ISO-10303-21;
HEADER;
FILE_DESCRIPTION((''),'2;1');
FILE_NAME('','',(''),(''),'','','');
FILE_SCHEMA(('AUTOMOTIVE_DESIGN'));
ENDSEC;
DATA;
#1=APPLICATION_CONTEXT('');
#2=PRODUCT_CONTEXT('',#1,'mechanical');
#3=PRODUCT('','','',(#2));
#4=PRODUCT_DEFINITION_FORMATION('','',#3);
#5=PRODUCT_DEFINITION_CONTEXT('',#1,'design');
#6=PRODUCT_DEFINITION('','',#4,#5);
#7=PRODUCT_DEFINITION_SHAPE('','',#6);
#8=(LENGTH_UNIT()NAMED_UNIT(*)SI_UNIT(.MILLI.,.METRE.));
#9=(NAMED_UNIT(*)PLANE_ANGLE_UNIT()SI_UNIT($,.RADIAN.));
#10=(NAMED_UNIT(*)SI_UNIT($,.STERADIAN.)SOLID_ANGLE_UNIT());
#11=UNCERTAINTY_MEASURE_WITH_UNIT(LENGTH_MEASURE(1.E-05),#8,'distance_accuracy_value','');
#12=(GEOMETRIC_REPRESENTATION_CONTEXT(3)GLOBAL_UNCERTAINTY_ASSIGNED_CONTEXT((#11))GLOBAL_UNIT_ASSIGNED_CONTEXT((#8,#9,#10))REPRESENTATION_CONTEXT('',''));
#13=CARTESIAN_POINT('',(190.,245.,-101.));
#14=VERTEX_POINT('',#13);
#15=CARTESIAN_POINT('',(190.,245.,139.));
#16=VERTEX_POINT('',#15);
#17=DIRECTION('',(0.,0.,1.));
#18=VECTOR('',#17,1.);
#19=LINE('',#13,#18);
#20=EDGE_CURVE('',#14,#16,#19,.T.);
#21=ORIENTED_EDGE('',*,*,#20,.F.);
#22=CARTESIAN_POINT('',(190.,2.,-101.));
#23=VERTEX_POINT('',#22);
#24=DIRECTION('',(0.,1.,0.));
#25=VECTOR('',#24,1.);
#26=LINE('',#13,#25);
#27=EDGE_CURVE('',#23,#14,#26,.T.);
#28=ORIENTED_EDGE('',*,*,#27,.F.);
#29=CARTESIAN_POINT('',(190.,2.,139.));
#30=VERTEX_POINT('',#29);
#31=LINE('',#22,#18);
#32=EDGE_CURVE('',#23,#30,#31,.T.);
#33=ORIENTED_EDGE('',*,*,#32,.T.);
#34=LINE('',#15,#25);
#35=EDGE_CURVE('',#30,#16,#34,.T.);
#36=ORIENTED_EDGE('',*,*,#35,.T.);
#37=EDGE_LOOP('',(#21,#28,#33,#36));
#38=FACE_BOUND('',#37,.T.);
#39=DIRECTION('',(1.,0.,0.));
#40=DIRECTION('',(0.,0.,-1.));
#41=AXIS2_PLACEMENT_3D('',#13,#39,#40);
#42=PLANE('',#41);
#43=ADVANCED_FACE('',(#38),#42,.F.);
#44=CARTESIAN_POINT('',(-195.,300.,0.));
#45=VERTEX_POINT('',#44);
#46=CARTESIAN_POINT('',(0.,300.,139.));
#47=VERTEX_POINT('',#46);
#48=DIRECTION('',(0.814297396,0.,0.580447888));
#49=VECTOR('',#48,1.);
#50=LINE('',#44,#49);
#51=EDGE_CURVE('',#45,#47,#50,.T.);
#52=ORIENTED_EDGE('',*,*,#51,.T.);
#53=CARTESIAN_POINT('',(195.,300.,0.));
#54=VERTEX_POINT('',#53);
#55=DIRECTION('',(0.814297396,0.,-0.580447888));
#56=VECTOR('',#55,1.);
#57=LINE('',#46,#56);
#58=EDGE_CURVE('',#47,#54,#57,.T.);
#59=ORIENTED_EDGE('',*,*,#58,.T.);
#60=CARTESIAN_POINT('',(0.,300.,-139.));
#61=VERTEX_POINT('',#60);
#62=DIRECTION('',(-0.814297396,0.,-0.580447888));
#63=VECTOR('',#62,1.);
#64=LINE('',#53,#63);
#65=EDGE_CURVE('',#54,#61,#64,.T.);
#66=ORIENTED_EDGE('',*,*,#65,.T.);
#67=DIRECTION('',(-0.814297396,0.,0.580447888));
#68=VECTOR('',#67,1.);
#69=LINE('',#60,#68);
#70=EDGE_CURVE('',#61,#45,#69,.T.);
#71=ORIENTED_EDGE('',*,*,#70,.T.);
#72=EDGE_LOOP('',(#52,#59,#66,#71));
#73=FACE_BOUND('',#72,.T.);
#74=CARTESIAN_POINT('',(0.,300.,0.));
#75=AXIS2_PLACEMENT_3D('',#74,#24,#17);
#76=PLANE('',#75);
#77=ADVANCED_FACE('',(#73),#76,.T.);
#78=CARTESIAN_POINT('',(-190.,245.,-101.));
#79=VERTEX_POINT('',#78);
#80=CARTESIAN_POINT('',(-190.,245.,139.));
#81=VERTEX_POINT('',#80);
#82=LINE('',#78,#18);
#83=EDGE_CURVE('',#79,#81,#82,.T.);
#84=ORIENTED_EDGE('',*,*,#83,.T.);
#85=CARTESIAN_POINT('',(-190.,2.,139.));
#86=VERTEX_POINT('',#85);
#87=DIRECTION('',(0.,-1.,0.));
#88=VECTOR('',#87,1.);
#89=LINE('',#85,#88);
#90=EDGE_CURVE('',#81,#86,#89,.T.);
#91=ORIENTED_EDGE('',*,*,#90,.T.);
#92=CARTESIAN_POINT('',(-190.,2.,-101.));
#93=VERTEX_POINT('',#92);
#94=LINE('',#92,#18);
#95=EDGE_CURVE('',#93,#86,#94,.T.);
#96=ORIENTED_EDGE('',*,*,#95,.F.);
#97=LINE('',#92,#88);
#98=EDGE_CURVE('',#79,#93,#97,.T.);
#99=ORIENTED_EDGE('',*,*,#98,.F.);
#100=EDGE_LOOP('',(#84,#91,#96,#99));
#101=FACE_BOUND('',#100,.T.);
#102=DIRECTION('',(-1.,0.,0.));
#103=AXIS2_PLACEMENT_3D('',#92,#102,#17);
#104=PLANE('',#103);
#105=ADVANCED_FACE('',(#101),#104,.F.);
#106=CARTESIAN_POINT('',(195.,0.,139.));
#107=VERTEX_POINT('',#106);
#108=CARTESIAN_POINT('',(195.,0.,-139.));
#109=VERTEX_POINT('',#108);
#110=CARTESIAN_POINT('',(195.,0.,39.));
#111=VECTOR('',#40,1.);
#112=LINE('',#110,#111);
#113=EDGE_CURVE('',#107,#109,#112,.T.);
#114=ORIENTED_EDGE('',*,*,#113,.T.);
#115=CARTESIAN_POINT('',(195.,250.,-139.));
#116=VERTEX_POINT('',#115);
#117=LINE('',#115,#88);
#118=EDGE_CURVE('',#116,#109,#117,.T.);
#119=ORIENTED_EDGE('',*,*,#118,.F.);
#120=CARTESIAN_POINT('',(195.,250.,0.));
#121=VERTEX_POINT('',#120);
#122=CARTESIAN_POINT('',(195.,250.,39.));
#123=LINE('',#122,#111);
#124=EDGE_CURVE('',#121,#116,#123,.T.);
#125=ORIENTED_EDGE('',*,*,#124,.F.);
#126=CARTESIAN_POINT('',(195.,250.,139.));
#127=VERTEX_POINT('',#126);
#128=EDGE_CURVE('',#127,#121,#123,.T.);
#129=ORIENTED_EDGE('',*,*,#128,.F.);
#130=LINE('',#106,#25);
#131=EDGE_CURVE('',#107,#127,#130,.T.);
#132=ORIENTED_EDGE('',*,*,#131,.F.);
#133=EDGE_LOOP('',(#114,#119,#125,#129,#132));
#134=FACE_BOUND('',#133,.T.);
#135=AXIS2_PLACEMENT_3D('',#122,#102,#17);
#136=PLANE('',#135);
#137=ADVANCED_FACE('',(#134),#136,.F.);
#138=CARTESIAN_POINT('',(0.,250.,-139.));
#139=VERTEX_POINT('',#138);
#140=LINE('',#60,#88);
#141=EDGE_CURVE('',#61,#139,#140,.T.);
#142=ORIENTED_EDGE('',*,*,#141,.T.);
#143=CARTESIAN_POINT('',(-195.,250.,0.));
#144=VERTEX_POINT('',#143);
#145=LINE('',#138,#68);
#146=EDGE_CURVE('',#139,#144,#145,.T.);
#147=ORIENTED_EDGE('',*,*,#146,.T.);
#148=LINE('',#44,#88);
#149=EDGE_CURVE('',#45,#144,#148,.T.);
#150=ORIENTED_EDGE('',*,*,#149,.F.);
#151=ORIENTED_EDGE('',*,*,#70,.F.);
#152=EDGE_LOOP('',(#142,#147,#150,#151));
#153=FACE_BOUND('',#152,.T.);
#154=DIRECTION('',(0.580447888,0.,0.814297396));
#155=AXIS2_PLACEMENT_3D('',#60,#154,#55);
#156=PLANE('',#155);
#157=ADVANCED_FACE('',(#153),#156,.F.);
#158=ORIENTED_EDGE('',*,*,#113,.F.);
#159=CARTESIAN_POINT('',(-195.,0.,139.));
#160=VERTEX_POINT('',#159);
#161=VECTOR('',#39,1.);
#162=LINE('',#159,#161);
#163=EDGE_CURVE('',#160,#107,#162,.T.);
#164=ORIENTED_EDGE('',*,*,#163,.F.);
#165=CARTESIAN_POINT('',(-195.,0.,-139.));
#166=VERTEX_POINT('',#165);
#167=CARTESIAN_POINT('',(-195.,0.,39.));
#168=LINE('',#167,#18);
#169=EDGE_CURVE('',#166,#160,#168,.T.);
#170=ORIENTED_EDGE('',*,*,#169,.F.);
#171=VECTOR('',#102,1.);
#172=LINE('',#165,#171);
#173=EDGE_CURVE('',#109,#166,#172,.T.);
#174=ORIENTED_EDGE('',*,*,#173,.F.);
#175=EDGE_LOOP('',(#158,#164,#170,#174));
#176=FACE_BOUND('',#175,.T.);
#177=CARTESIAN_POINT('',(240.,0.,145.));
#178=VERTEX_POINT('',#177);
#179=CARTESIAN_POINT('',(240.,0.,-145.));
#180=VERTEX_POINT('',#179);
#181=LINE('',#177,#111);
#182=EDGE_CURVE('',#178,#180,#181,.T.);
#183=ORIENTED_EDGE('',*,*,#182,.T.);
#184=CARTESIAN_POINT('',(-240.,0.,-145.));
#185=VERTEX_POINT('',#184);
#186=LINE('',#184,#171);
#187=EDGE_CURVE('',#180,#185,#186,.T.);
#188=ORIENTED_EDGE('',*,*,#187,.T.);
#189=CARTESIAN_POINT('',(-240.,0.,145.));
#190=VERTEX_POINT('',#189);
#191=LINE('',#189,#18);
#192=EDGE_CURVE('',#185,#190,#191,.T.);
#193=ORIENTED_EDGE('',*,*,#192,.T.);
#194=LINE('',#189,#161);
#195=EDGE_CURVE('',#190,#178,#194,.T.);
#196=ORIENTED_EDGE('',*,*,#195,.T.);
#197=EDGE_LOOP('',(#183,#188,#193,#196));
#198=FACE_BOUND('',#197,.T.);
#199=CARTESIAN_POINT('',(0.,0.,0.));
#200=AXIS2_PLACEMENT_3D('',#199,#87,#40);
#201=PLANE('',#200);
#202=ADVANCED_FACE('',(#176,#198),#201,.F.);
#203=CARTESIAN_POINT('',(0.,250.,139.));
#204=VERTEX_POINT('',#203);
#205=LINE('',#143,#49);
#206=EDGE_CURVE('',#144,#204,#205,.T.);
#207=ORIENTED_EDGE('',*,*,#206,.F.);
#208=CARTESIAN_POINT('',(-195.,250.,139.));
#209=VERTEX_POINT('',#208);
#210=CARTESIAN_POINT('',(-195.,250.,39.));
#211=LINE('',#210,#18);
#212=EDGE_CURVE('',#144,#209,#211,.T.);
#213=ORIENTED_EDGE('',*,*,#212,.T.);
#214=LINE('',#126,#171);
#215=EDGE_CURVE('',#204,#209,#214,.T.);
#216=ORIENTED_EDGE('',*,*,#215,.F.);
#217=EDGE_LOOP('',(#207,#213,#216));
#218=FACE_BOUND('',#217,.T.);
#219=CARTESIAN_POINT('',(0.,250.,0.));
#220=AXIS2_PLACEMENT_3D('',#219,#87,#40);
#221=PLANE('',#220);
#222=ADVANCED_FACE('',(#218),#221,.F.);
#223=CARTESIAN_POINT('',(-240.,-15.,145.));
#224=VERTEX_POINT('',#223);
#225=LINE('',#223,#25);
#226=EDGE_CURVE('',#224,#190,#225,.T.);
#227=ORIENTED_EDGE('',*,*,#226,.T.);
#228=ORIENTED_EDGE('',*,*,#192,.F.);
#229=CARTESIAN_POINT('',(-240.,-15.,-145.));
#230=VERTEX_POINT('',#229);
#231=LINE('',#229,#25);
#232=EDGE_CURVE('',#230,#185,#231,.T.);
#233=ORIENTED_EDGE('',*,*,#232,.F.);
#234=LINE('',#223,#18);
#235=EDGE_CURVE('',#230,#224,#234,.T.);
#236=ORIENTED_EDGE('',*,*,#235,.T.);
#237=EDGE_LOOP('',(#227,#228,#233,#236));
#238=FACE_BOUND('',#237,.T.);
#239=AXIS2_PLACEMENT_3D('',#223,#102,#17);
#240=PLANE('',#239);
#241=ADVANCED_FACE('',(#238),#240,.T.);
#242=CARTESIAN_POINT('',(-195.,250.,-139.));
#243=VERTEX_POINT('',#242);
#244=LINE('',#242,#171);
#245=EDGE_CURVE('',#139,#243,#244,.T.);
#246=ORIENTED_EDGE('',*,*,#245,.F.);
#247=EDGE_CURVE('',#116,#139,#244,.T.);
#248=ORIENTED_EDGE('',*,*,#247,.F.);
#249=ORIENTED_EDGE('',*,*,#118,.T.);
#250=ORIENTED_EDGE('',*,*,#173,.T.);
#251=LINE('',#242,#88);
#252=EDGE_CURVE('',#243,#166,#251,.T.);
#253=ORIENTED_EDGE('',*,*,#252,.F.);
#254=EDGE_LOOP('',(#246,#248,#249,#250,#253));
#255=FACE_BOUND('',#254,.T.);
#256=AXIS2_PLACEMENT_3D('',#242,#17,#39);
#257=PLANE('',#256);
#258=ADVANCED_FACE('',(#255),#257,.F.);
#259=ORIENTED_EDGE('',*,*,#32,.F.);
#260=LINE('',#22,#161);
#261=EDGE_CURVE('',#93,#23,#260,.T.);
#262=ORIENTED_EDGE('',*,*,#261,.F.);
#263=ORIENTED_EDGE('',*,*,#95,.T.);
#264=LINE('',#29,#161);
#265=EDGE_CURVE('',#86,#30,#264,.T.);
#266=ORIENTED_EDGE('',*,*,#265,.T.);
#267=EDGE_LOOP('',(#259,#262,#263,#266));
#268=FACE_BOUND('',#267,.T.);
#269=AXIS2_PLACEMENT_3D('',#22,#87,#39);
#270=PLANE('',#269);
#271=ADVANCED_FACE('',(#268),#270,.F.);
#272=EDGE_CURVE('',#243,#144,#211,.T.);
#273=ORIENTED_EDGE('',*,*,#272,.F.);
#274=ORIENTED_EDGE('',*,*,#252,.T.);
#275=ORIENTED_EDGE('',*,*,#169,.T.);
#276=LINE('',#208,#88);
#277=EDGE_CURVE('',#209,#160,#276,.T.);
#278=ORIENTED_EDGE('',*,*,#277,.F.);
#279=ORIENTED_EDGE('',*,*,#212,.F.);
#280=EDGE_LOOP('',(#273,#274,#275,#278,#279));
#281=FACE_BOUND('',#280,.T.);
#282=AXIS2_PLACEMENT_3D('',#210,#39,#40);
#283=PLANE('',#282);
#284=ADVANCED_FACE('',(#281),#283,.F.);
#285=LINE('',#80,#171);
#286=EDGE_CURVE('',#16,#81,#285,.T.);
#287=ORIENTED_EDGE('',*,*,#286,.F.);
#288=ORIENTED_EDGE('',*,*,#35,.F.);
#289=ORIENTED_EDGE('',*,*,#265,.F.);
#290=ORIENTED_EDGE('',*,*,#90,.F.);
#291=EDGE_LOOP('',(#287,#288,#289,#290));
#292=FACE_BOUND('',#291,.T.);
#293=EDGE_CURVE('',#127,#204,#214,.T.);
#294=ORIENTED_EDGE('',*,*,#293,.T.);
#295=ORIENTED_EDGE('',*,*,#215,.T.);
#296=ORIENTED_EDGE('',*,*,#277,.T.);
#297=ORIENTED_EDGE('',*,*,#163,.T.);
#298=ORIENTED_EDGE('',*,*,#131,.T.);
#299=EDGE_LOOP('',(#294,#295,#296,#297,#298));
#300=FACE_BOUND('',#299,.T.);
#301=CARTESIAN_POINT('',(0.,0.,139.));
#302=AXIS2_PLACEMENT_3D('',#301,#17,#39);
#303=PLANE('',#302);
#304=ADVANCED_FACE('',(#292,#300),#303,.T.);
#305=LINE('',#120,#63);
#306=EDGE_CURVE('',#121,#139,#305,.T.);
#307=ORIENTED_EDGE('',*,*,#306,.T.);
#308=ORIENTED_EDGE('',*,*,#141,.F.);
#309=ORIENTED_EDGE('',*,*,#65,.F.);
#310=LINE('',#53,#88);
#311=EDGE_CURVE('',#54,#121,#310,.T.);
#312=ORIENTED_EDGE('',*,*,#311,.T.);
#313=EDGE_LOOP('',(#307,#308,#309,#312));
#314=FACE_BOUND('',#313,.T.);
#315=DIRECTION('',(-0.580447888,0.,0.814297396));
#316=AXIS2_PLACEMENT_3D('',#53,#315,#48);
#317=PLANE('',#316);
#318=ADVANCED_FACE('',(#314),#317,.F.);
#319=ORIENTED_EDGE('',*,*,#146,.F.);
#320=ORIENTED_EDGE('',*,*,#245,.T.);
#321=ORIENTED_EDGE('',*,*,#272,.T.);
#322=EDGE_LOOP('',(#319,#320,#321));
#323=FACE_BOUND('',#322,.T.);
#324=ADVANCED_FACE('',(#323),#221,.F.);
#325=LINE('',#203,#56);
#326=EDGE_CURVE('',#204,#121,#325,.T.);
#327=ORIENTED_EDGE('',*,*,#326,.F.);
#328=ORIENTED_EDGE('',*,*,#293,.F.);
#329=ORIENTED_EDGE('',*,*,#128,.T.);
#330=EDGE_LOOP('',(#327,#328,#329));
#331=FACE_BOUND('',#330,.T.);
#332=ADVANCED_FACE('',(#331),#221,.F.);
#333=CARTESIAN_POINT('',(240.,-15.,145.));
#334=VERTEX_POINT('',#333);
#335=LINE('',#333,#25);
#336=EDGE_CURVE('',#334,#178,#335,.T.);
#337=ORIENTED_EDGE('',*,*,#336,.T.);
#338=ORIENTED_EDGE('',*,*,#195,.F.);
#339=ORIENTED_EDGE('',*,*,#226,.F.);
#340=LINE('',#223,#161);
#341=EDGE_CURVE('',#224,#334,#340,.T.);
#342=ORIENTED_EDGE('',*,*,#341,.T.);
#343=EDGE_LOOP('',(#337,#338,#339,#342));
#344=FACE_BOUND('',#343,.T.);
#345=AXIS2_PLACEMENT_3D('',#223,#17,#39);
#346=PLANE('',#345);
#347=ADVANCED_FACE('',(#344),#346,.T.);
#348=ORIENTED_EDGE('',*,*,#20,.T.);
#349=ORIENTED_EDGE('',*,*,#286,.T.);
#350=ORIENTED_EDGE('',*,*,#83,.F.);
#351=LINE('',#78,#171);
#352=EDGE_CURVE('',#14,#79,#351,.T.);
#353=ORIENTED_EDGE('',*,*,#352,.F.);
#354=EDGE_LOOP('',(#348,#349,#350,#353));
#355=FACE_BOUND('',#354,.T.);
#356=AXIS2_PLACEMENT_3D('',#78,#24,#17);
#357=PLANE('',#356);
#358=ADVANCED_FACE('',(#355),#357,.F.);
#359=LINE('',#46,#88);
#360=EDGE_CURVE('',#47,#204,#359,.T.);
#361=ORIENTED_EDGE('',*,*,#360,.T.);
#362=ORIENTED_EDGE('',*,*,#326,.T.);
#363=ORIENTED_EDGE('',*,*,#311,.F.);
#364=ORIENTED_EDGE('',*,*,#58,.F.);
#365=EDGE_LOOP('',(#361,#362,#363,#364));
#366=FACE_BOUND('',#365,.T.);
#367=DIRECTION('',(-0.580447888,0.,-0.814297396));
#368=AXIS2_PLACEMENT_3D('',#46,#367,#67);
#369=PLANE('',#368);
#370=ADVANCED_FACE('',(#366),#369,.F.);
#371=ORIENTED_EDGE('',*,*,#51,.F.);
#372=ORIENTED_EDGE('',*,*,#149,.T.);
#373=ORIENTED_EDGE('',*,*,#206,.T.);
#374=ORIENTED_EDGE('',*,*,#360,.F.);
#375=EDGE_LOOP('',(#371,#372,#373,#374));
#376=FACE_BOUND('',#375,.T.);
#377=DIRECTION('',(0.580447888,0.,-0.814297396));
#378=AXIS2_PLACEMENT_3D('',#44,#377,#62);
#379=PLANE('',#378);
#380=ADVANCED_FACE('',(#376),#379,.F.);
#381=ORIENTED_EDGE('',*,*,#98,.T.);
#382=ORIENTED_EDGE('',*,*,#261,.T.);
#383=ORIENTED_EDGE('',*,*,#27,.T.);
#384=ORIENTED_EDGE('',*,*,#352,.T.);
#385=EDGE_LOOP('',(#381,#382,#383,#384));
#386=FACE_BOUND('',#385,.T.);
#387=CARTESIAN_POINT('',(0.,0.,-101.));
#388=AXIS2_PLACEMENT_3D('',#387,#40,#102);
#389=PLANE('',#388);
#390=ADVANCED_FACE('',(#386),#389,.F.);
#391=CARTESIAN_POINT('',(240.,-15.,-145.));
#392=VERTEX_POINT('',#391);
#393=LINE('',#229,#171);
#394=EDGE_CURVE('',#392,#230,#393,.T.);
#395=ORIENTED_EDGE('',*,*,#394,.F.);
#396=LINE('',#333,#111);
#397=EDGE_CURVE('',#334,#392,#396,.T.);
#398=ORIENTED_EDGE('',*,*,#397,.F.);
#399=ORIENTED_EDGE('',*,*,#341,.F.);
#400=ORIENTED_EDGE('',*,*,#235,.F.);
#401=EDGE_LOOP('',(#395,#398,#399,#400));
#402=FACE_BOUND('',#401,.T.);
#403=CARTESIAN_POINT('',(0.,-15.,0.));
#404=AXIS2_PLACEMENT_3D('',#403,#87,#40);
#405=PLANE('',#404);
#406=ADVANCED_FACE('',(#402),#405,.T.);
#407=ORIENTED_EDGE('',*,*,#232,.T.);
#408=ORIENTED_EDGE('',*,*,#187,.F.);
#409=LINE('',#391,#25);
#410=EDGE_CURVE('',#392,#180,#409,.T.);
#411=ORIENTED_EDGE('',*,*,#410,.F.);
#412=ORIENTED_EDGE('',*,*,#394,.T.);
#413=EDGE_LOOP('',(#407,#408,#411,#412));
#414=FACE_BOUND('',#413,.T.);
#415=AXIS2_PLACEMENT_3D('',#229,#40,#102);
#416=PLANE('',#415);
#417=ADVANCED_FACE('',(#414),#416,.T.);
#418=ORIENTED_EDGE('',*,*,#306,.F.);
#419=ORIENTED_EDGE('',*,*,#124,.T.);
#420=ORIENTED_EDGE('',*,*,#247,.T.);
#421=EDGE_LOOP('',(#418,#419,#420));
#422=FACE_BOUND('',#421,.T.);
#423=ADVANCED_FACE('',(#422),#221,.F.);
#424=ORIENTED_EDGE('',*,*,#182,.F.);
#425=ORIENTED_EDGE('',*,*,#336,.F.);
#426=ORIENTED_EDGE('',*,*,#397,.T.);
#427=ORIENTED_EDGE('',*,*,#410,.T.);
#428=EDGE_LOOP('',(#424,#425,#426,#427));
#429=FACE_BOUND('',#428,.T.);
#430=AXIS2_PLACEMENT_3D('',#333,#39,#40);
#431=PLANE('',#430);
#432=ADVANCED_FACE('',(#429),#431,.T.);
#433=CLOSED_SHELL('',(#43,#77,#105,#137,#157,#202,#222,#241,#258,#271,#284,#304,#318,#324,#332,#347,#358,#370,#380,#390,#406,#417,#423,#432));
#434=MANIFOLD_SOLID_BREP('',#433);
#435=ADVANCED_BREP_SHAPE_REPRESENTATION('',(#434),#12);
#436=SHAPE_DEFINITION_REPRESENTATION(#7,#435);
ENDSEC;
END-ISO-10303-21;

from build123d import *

# Parameters (mm, degrees)
SKETCH_1_W          = 480
SKETCH_1_H          = 290
EXTRUDE_1_DEPTH     = 15
SKETCH_2_W          = 390
SKETCH_2_H          = 178
EXTRUDE_2_DEPTH     = 250
SKETCH_7_W          = 390
SKETCH_7_H          = 250
EXTRUDE_7_DEPTH     = 100
SKETCH_8_W          = 380
SKETCH_8_H          = 243
CUT_EXTRUDE_1_DEPTH = 240
EXTRUDE_8_DEPTH     = 50


with BuildPart() as part:
    # 草图1 → 凸台-拉伸1 (new body)
    with BuildSketch(Plane(origin=(0, 0, 0), x_dir=(1, 0, 0), z_dir=(0, 1, 0))):
        Rectangle(SKETCH_1_W, SKETCH_1_H)
    extrude(amount=-EXTRUDE_1_DEPTH)

    # 草图2 → 凸台-拉伸2 (add)
    with BuildSketch(Plane(origin=(0, 0, 0), x_dir=(1, 0, 0), z_dir=(0, 1, 0))):
        with Locations((0, 50)):
            Rectangle(SKETCH_2_W, SKETCH_2_H)
    extrude(amount=EXTRUDE_2_DEPTH)

    # 草图7 → 凸台-拉伸7 (add)
    with BuildSketch(Plane.XY.offset(39)):
        with Locations((0, 125)):
            Rectangle(SKETCH_7_W, SKETCH_7_H)
    extrude(amount=EXTRUDE_7_DEPTH)

    # 草图8 → 切除-拉伸1 (cut)
    with BuildSketch(Plane.XY.offset(139)):
        with Locations((0, 123.5)):
            Rectangle(SKETCH_8_W, SKETCH_8_H)
    extrude(amount=-CUT_EXTRUDE_1_DEPTH, mode=Mode.SUBTRACT)

    # 草图10 → 凸台-拉伸8 (add)
    with BuildSketch(Plane(origin=(0, 250, 0), x_dir=(1, 0, 0), z_dir=(0, 1, 0))):
        Polygon((0, 139), (-195, 0), (0, -139), (195, 0), align=None)
    extrude(amount=EXTRUDE_8_DEPTH)


solid = part.part
